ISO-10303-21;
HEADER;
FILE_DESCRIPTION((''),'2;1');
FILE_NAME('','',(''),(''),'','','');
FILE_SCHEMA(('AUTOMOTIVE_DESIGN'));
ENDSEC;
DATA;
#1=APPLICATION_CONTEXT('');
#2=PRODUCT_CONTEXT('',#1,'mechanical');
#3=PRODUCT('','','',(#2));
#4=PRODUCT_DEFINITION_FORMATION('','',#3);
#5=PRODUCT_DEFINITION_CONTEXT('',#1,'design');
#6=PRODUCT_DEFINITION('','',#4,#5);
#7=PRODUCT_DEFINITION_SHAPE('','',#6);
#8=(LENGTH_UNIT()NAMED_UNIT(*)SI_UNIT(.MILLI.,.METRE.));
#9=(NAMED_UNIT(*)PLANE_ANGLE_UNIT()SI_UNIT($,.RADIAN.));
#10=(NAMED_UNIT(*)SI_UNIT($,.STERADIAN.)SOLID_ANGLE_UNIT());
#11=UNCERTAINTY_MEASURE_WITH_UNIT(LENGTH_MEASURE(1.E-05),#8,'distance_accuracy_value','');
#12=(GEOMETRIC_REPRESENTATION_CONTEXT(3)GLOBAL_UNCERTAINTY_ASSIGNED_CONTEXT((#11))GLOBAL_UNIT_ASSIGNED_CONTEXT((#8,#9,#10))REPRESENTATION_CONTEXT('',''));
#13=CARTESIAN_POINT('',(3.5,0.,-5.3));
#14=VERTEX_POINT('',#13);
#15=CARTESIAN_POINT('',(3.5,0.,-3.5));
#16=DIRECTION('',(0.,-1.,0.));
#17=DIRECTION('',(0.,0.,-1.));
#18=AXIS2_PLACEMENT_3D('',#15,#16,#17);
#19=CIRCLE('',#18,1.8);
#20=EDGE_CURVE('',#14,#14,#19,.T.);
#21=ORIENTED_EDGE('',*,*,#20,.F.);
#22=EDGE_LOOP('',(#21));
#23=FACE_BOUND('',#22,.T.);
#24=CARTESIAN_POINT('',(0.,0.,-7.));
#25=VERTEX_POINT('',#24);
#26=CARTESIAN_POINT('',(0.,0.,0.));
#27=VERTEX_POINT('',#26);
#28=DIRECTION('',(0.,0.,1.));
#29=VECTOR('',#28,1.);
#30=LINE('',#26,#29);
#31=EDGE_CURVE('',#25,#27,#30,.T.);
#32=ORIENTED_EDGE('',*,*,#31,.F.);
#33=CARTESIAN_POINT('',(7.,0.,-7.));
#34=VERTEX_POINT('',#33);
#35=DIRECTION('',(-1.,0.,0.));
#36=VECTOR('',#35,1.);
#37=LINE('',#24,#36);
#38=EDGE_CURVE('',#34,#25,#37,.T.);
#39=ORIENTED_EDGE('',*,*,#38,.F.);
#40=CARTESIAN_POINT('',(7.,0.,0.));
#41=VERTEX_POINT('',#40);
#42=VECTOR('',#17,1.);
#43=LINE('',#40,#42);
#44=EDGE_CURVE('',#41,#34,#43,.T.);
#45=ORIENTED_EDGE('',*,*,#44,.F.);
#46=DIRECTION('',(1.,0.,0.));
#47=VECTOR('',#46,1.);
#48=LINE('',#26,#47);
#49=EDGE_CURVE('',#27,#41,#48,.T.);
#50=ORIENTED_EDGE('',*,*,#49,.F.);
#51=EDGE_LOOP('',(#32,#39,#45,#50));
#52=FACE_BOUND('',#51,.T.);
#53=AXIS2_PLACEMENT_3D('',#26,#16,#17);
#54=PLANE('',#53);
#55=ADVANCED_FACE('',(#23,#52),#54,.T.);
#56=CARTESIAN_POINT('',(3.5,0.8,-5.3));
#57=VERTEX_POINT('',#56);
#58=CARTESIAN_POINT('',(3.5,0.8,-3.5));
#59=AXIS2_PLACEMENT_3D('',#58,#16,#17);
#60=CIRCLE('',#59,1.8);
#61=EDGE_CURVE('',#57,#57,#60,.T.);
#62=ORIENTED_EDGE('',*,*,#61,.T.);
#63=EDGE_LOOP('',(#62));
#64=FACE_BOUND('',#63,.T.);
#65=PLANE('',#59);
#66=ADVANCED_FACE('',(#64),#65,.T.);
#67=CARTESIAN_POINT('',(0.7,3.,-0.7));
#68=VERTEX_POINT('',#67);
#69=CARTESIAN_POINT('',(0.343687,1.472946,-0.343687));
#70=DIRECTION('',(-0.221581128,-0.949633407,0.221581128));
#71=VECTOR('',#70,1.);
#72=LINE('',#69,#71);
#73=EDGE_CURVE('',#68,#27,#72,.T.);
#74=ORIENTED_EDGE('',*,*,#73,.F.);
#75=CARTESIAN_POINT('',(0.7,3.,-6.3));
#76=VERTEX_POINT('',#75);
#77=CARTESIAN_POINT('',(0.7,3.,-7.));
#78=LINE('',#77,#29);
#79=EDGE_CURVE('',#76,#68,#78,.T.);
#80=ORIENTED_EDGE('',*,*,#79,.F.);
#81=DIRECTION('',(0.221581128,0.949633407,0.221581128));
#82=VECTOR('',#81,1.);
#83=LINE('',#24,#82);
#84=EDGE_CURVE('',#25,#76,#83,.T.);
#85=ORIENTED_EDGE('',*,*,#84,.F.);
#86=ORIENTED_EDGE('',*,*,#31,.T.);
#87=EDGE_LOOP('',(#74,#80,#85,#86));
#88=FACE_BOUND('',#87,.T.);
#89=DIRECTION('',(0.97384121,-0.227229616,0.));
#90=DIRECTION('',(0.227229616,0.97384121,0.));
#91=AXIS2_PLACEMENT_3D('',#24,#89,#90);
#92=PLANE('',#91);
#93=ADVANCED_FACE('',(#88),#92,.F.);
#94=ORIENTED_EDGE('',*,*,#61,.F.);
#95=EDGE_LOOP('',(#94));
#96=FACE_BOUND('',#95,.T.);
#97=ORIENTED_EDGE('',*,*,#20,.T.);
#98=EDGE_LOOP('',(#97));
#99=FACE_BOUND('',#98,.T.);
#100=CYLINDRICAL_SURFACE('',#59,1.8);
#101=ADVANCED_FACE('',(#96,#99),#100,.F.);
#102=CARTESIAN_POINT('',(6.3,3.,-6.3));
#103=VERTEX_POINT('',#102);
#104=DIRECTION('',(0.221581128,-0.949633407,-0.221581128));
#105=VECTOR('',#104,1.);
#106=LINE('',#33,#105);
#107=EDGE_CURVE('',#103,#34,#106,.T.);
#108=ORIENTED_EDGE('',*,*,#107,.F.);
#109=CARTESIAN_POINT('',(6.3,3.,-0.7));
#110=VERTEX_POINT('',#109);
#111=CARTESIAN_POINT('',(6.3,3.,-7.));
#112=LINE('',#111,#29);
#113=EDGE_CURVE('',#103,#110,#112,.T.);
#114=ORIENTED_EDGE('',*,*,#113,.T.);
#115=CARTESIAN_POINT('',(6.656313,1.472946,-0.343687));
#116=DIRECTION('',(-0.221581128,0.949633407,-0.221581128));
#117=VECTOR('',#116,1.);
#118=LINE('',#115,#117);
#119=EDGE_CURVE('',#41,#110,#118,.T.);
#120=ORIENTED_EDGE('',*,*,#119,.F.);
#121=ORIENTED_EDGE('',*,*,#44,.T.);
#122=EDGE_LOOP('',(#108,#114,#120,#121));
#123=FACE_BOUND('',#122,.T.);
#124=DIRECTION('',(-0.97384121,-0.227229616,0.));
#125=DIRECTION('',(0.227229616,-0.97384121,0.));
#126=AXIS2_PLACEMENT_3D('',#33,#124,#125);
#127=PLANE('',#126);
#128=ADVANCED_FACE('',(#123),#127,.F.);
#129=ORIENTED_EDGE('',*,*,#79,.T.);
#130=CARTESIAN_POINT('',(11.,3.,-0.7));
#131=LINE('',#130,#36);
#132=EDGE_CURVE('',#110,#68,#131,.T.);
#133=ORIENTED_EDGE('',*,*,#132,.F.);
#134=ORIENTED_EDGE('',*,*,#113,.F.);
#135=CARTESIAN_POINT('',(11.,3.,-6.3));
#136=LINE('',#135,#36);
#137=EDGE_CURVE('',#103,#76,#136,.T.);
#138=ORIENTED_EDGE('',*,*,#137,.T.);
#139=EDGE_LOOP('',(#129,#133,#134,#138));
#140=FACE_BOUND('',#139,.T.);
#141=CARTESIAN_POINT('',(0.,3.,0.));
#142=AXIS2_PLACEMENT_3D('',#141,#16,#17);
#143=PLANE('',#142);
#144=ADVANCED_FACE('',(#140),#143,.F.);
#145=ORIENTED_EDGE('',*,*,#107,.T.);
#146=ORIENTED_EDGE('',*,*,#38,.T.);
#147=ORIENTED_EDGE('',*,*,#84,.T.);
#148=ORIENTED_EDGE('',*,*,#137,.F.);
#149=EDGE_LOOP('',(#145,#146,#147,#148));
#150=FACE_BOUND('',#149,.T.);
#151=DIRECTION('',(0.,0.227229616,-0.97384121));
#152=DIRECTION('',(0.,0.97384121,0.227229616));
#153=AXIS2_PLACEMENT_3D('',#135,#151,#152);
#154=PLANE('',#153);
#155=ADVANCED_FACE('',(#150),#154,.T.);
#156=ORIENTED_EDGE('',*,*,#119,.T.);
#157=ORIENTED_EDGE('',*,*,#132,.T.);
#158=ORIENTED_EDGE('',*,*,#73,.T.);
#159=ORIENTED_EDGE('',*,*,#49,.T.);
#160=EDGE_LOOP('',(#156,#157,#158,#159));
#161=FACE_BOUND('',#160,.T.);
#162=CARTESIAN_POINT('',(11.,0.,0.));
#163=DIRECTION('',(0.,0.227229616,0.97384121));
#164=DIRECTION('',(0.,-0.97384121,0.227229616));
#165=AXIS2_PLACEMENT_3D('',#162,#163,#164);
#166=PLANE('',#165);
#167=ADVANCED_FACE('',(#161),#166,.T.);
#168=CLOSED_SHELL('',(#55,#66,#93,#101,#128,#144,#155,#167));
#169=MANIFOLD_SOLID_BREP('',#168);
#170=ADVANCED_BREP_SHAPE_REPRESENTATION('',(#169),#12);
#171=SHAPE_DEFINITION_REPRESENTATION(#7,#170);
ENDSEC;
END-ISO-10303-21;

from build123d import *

# Parameters (mm, degrees)
SKETCH1_W           = 7
SKETCH1_H           = 7
BOSS_EXTRUDE1_DEPTH = 3
CUT_EXTRUDE1_DEPTH  = 7
CUT_EXTRUDE2_DEPTH  = 11
SKETCH4_R           = 1.8
CUT_EXTRUDE3_DEPTH  = 0.8


with BuildPart() as part:
    # Sketch1 → Boss-Extrude1 (new body)
    with BuildSketch(Plane(origin=(0, 0, 0), x_dir=(1, 0, 0), z_dir=(0, 1, 0))):
        with Locations((3.5, 3.5)):
            Rectangle(SKETCH1_W, SKETCH1_H)
    extrude(amount=BOSS_EXTRUDE1_DEPTH)

    # Sketch2 → Cut-Extrude1 (cut)
    with BuildSketch(Plane.XY):
        Polygon((0, 0), (0.7, 3), (0, 3), align=None)
        Polygon((7, 0), (6.3, 3), (7, 3), align=None)
    extrude(amount=-CUT_EXTRUDE1_DEPTH, mode=Mode.SUBTRACT)

    # Sketch3 → Cut-Extrude2 (cut)
    with BuildSketch(Plane(origin=(0, 0, 0), x_dir=(0, 0, -1), z_dir=(1, 0, 0))):
        Polygon((0, 0), (0.7, 3), (0, 3), align=None)
        Polygon((7, 3), (6.3, 3), (7, 0), align=None)
    extrude(amount=CUT_EXTRUDE2_DEPTH, mode=Mode.SUBTRACT)

    # Sketch4 → Cut-Extrude3 (cut)
    with BuildSketch(Plane.XZ):
        with Locations(Location((3.5, -3.5, 0), (0, 0, 270))):
            Circle(SKETCH4_R)
    extrude(amount=-CUT_EXTRUDE3_DEPTH, mode=Mode.SUBTRACT)


solid = part.part
